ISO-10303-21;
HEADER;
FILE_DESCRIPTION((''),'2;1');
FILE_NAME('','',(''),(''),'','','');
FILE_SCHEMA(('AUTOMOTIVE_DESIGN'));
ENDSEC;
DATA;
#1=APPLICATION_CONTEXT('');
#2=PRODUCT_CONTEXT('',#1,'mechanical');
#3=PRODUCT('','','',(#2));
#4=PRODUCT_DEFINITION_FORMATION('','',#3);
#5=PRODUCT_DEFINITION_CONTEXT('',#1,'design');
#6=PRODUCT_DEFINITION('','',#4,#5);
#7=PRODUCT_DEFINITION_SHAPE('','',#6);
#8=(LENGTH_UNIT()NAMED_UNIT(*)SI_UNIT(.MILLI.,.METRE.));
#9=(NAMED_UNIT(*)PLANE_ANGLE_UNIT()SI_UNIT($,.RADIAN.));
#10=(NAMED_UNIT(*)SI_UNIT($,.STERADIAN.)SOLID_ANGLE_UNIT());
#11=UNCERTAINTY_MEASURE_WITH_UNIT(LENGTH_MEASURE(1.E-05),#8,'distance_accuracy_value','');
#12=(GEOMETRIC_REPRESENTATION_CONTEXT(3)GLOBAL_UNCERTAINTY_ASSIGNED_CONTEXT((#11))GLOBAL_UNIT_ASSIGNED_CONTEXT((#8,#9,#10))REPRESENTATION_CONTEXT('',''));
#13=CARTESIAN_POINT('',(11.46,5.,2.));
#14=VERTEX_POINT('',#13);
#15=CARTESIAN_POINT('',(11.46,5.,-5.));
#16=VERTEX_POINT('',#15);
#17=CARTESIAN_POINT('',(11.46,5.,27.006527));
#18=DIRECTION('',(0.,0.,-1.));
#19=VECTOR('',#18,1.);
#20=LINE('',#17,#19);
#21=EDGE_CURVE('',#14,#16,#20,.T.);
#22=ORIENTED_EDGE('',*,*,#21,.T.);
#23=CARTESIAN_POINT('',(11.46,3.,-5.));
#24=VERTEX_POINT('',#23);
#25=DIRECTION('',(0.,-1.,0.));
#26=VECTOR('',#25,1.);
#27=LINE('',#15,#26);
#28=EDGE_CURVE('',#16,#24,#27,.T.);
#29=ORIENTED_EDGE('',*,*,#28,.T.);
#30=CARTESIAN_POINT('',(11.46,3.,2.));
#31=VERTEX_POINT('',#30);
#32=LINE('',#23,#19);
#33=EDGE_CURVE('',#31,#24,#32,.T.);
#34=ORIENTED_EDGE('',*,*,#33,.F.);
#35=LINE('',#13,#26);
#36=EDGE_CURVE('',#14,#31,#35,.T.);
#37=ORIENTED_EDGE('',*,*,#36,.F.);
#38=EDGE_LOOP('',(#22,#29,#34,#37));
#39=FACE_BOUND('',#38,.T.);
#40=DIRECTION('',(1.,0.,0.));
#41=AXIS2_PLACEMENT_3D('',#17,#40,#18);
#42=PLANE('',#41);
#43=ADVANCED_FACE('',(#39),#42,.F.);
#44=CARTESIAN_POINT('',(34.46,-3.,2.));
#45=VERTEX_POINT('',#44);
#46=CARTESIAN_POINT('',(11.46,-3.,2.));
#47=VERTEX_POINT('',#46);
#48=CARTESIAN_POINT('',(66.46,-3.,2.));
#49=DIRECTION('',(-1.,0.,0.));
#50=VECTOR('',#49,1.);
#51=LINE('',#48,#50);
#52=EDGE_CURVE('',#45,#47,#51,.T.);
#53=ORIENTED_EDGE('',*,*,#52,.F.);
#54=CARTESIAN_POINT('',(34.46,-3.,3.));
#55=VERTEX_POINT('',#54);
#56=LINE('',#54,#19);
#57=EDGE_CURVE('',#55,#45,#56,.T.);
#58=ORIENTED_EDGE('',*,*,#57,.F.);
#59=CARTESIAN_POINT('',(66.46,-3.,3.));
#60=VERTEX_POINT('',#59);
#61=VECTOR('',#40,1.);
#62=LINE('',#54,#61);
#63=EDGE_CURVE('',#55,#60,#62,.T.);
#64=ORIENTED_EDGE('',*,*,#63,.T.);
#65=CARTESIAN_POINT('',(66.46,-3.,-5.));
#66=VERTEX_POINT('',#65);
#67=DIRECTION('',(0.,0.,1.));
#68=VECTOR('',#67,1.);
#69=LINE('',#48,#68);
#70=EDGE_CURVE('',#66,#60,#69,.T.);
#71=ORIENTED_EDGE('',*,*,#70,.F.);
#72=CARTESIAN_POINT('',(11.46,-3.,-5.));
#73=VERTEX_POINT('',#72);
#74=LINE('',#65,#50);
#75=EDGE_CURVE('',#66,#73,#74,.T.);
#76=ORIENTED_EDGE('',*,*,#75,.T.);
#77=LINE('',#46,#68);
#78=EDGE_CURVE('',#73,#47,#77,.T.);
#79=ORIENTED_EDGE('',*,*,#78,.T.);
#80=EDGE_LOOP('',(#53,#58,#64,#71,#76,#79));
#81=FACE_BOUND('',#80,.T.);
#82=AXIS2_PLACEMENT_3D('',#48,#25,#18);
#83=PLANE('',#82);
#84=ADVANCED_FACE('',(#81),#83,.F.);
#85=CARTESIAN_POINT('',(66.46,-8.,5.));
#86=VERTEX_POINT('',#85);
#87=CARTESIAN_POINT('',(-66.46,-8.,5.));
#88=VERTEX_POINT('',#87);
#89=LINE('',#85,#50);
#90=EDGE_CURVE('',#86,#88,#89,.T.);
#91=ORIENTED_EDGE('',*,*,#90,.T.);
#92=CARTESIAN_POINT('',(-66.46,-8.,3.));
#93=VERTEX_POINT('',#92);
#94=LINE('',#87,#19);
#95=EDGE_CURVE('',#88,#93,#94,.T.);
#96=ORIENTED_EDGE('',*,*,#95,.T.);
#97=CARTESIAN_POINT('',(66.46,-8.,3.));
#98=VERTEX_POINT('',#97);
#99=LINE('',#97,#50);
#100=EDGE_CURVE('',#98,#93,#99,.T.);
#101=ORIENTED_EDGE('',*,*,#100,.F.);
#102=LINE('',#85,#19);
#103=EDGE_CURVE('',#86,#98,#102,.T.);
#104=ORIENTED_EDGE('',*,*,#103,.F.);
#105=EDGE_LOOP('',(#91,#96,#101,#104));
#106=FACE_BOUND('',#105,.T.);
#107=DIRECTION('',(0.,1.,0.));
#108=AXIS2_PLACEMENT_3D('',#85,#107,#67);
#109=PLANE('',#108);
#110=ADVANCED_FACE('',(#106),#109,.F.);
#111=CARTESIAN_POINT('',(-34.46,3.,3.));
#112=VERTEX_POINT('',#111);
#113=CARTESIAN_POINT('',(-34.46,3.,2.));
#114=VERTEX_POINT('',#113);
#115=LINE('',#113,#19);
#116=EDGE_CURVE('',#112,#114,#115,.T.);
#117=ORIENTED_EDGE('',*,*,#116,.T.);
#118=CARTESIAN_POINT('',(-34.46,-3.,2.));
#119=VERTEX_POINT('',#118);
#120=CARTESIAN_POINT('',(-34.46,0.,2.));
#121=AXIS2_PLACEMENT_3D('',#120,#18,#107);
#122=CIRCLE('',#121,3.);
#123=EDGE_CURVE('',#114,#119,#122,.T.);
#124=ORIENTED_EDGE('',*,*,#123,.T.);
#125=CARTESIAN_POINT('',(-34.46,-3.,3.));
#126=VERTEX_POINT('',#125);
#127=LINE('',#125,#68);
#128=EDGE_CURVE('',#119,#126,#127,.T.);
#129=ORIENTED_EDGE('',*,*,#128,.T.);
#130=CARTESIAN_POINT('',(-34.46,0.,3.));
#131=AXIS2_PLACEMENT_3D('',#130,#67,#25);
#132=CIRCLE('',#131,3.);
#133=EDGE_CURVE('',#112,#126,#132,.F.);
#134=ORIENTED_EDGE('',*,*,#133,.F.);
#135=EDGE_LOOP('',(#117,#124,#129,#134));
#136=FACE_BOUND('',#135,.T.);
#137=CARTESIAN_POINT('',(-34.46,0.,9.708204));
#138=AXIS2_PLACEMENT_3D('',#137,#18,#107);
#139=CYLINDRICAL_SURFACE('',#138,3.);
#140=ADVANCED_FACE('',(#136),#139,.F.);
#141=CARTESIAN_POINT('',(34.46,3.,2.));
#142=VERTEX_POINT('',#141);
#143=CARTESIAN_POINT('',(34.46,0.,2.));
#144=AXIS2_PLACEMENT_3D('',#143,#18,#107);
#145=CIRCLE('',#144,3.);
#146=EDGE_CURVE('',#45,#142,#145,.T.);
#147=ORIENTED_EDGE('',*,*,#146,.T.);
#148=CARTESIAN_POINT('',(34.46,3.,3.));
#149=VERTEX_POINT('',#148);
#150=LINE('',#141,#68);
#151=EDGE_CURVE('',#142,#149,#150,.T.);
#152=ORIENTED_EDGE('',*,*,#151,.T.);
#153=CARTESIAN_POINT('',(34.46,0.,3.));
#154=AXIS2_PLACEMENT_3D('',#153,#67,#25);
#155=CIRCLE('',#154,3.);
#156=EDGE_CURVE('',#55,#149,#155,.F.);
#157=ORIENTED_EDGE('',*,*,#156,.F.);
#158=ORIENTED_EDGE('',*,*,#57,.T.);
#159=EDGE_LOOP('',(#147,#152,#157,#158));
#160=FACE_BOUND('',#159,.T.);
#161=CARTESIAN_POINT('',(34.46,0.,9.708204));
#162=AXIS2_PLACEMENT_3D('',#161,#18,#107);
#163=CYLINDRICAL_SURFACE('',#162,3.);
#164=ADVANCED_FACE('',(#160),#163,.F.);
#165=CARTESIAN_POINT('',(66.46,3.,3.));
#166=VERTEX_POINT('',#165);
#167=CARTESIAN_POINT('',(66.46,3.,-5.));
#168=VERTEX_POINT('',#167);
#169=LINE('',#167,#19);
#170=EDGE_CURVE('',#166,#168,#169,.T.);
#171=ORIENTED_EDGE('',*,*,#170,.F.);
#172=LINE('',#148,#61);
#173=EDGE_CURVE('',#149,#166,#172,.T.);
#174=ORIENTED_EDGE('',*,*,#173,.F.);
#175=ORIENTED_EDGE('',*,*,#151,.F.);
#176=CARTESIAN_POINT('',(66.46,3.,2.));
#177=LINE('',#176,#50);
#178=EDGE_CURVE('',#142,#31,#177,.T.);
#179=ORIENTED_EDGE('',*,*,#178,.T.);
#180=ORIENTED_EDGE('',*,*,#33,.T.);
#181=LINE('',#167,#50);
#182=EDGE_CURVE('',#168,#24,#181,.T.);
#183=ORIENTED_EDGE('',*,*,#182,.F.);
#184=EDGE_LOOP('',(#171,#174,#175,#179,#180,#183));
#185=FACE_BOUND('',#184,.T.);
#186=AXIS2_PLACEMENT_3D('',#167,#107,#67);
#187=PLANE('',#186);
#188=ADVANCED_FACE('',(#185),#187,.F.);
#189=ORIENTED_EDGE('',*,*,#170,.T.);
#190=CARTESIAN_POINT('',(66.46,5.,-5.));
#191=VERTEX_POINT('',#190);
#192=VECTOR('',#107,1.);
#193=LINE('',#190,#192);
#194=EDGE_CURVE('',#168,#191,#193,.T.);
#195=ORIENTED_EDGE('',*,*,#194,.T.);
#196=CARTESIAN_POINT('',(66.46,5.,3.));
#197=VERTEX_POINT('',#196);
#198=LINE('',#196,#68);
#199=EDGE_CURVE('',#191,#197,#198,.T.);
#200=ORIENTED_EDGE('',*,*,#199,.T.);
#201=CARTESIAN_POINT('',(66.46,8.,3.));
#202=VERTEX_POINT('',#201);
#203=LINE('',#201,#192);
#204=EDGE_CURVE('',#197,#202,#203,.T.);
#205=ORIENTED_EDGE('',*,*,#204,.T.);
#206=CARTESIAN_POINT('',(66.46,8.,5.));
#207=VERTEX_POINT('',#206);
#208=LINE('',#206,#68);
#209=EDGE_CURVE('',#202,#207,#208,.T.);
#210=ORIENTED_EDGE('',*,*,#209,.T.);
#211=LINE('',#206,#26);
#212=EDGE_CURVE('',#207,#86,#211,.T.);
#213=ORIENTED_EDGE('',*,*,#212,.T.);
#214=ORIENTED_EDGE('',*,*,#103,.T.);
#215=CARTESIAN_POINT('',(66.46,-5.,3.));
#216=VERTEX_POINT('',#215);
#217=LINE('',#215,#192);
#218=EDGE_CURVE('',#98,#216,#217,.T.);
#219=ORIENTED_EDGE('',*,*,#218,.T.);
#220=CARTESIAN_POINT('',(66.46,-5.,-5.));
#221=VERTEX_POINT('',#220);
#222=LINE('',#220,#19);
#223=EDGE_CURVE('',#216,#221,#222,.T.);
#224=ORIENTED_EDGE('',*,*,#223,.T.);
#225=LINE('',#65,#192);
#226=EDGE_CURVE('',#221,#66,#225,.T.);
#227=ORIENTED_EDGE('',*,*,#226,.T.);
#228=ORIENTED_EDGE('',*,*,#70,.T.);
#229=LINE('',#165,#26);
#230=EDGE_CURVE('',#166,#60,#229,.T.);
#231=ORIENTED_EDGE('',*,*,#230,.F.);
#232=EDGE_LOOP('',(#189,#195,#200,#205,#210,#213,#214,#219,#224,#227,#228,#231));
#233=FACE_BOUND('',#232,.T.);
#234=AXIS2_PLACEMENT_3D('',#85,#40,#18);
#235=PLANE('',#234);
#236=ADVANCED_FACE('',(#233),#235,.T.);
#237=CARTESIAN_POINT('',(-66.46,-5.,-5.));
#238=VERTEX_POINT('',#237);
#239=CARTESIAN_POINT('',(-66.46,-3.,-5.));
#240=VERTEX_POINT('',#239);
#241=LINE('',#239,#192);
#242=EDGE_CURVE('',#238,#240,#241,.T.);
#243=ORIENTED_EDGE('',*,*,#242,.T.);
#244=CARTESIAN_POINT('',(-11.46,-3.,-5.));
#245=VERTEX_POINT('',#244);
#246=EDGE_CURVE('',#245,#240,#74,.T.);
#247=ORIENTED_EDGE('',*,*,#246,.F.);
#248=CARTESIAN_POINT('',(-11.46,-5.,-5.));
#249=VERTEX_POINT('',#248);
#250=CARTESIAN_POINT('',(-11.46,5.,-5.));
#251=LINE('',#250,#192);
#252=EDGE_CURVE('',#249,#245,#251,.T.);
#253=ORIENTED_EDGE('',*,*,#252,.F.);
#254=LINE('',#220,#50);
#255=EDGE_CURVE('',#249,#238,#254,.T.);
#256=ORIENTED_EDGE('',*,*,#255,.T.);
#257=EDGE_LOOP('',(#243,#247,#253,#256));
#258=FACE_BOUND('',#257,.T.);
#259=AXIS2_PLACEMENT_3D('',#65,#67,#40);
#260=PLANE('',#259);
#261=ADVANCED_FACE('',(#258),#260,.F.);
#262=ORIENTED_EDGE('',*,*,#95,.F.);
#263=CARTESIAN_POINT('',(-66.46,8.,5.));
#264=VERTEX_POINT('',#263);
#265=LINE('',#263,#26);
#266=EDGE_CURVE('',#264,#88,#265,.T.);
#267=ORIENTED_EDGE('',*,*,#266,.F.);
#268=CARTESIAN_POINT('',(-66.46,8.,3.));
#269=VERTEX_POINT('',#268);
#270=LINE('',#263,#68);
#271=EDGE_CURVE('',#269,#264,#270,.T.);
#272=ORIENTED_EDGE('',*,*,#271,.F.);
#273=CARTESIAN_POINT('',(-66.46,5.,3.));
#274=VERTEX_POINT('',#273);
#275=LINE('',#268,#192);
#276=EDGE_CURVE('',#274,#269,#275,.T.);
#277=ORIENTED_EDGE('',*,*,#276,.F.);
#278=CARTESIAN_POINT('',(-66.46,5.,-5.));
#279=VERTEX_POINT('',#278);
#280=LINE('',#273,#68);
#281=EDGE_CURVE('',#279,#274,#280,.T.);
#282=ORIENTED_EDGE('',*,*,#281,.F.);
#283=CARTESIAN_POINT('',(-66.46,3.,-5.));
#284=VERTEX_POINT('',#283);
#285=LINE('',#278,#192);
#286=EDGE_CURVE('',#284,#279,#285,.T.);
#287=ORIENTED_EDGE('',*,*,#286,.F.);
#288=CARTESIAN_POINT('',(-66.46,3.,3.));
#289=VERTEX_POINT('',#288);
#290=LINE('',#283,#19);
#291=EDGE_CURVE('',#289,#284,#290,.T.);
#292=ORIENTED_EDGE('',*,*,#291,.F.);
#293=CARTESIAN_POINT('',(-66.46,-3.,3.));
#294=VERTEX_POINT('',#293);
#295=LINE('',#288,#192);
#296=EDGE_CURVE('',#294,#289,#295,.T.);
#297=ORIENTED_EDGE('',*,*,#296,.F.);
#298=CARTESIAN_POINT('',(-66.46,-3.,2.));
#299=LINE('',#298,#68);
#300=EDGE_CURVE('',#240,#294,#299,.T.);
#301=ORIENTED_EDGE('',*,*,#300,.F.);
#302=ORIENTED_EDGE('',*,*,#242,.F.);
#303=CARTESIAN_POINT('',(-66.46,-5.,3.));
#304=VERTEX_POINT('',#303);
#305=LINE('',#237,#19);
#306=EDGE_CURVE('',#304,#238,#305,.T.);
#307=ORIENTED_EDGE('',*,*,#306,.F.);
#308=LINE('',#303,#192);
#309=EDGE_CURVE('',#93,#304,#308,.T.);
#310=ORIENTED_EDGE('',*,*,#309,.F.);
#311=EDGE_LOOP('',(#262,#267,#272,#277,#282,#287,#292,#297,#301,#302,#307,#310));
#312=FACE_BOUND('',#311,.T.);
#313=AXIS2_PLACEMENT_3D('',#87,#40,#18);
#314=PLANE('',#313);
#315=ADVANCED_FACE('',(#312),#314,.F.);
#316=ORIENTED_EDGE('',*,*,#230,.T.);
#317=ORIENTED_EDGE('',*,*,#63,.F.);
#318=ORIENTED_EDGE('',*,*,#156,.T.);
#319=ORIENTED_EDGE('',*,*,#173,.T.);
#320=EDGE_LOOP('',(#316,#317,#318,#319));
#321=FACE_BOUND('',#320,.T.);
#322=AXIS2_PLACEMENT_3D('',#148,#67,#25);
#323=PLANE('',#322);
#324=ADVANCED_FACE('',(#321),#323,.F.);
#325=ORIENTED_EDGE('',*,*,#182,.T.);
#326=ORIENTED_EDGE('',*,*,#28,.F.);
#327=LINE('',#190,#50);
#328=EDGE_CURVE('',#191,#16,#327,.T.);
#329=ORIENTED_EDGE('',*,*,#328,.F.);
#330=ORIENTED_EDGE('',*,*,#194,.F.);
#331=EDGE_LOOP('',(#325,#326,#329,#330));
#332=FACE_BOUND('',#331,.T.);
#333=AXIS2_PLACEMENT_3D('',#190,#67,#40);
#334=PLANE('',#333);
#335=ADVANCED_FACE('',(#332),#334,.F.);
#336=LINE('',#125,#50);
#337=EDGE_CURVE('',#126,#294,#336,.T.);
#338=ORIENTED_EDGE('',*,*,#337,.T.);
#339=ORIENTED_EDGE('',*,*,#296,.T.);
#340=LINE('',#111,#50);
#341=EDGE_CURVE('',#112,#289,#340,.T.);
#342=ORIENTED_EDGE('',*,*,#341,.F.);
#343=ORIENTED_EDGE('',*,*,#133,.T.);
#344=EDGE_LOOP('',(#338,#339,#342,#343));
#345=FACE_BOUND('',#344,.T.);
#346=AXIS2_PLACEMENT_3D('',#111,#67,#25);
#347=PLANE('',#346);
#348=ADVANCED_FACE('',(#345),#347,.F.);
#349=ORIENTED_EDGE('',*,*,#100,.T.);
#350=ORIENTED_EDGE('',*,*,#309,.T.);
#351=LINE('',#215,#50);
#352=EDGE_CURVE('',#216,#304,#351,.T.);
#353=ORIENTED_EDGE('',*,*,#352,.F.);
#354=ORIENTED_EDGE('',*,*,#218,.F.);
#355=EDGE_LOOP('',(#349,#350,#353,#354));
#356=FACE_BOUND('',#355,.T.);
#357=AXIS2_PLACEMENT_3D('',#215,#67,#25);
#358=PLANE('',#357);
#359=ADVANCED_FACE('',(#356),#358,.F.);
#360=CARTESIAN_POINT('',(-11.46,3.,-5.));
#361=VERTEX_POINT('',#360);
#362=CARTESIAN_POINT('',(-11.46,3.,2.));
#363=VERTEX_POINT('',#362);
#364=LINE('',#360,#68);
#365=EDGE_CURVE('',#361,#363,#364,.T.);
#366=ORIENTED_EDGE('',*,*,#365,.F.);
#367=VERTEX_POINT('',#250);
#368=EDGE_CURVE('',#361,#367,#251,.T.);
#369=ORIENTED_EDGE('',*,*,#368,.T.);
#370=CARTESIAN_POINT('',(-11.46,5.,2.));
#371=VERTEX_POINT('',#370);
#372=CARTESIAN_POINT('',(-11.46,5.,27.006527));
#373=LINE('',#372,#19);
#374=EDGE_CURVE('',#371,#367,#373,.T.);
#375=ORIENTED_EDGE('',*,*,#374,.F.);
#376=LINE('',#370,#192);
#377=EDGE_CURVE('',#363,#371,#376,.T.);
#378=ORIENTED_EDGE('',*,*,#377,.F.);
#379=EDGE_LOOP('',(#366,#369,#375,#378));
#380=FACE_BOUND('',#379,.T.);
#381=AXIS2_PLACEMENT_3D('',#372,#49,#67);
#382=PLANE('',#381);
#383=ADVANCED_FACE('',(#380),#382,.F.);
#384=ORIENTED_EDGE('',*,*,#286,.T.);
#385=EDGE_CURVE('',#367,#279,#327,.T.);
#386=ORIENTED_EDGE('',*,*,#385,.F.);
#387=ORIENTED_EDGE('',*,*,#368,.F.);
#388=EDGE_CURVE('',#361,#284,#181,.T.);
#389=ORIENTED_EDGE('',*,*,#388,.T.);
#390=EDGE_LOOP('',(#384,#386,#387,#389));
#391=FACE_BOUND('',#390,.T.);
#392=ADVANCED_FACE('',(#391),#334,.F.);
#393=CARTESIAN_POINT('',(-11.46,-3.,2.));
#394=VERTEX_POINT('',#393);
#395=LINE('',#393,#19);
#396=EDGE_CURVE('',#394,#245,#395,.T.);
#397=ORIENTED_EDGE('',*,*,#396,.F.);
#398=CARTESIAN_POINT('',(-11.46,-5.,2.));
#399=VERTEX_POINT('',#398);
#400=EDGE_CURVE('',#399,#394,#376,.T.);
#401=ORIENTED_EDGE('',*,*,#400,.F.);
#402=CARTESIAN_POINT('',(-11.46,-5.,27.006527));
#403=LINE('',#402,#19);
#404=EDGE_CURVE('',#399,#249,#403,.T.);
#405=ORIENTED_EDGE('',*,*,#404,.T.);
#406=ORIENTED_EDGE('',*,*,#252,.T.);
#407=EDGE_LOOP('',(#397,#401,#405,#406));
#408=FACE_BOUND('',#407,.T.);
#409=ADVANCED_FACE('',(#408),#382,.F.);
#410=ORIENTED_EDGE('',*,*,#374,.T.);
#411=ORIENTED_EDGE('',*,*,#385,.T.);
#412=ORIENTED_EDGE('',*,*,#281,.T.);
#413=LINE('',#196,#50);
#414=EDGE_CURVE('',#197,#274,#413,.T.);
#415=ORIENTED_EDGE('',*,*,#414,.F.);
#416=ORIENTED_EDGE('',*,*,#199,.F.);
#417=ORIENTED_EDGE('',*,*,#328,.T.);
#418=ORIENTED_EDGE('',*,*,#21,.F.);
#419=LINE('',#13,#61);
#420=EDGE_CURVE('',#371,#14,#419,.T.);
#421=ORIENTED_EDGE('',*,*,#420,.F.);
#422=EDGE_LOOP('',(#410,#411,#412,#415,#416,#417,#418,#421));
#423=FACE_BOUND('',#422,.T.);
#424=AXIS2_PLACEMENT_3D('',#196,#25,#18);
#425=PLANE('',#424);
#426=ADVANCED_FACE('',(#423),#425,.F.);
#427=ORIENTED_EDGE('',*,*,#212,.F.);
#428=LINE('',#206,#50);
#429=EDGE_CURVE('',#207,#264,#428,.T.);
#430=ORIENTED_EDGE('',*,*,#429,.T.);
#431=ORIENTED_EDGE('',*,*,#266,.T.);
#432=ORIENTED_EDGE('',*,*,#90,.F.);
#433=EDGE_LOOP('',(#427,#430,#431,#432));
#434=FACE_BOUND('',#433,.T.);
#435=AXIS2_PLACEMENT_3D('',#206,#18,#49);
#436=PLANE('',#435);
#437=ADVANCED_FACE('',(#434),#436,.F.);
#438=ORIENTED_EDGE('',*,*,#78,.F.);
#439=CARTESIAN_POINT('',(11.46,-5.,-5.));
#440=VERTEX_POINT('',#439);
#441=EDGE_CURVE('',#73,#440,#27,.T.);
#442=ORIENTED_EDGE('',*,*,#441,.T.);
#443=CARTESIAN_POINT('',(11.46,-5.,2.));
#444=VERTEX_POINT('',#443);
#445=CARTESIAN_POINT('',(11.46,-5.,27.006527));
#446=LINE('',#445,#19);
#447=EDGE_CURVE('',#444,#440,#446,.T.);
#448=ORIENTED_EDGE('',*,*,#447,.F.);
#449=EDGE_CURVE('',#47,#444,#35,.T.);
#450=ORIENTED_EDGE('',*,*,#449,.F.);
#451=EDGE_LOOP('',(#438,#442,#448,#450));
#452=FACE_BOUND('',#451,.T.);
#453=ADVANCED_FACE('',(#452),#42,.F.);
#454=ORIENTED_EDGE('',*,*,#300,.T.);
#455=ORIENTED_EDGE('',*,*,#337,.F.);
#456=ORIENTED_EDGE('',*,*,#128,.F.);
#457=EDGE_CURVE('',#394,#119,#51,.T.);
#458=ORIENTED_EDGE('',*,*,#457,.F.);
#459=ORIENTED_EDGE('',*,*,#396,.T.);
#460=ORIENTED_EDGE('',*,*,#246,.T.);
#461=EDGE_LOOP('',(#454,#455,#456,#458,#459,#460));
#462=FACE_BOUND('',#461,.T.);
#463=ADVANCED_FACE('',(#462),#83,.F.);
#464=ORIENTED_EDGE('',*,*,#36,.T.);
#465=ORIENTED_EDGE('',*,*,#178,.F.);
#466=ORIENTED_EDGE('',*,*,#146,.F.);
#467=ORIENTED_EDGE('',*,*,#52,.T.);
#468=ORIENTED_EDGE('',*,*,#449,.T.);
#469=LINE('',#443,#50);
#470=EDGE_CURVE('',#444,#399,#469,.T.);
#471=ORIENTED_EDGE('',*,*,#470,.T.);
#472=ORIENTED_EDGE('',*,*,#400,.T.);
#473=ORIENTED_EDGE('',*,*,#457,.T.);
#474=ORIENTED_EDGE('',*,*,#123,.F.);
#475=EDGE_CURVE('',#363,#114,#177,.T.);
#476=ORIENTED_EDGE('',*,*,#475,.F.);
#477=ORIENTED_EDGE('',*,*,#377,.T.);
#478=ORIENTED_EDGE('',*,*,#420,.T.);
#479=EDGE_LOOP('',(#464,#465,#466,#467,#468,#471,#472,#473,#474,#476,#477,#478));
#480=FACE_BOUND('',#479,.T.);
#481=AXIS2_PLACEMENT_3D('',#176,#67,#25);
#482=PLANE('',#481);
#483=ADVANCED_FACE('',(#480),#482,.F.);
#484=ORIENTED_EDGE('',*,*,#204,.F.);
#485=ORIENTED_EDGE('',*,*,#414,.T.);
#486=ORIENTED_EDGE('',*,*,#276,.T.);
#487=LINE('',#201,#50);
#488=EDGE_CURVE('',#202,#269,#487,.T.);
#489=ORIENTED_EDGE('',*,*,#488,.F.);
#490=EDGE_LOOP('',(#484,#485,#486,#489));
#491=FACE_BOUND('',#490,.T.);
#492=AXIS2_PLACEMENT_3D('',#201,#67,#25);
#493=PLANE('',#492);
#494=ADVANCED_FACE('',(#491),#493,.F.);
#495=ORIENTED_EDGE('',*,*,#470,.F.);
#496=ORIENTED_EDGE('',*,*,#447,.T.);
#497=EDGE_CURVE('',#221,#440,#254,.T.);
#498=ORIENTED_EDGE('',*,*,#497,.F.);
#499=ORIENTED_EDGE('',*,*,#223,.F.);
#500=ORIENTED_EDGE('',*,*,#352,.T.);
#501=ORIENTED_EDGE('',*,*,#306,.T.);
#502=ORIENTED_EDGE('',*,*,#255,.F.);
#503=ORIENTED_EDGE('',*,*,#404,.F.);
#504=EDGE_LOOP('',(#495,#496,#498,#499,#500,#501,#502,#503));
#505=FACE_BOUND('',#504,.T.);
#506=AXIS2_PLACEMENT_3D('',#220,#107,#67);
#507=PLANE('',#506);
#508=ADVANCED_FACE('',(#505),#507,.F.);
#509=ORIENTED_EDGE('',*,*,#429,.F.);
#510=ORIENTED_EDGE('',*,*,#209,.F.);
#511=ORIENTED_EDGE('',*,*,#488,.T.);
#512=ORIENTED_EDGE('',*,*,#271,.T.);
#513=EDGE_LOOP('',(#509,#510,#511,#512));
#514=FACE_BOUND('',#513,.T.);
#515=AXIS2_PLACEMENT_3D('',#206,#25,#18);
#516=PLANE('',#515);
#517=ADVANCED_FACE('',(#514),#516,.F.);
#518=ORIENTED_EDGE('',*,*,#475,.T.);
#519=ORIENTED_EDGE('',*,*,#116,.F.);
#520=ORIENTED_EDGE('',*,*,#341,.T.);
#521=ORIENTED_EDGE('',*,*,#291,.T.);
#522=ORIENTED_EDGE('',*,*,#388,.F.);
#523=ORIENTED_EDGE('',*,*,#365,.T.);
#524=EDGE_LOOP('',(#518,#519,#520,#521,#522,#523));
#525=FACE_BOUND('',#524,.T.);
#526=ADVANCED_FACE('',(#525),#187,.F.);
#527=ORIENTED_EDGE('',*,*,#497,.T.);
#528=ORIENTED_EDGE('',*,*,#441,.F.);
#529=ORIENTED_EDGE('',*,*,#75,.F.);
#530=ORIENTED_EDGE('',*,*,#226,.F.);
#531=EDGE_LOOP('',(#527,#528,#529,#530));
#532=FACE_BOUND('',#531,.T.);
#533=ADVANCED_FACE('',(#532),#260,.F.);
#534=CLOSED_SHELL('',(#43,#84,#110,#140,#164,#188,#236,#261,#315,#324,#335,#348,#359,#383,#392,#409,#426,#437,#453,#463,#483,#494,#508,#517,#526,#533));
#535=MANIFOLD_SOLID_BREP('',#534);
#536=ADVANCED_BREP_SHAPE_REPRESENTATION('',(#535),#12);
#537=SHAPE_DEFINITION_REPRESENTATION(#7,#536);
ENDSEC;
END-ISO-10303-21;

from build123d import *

# Parameters (mm, degrees)
EXTRUDE1_DEPTH = 66.46
SKETCH2_W      = 1
SKETCH2_H      = 6
EXTRUDE2_DEPTH = 32
SKETCH3_W      = 1
SKETCH3_H      = 6
EXTRUDE3_DEPTH = 32
EXTRUDE4_DEPTH = 1
SKETCH5_W      = 22.92
SKETCH5_H      = 10
EXTRUDE5_DEPTH = 7


with BuildPart() as part:
    # Sketch1 → Extrude1 (new body, symmetric)
    with BuildSketch(Plane(origin=(0, 0, 0), x_dir=(0, 0, -1), z_dir=(1, 0, 0))):
        Polygon((-3, 8), (-3, 5), (5, 5), (5, 3), (-2, 3), (-2, -3), (5, -3), (5, -5), (-3, -5), (-3, -8), (-5, -8), (-5, 8), align=None)
    extrude(amount=EXTRUDE1_DEPTH, both=True)

    # Sketch2 → Extrude2 (cut)
    with BuildSketch(Plane.ZY.offset(66.46)):
        with Locations((2.5, 0)):
            Rectangle(SKETCH2_W, SKETCH2_H)
    extrude(amount=-EXTRUDE2_DEPTH, mode=Mode.SUBTRACT)

    # Sketch3 → Extrude3 (cut)
    with BuildSketch(Plane(origin=(66.46, 0, 0), x_dir=(0, 0, -1), z_dir=(1, 0, 0))):
        with Locations((-2.5, 0)):
            Rectangle(SKETCH3_W, SKETCH3_H)
    extrude(amount=-EXTRUDE3_DEPTH, mode=Mode.SUBTRACT)

    # Sketch4 → Extrude4 (cut)
    with BuildSketch(Plane(origin=(0, 0, 2), x_dir=(-1, 0, 0), z_dir=(0, 0, -1))):
        with BuildLine():
            Line((-34.46, 3), (-34.46, -3))
            ThreePointArc((-34.46, -3), (-31.46, 0), (-34.46, 3))
        make_face()
        with BuildLine():
            Line((34.46, 3), (34.46, -3))
            ThreePointArc((34.46, -3), (31.46, 0), (34.46, 3))
        make_face()
    extrude(amount=-EXTRUDE4_DEPTH, mode=Mode.SUBTRACT)

    # Sketch5 → Extrude5 (cut)
    with BuildSketch(Plane(origin=(0, 0, -5), x_dir=(-1, 0, 0), z_dir=(0, 0, -1))):
        Rectangle(SKETCH5_W, SKETCH5_H)
    extrude(amount=-EXTRUDE5_DEPTH, mode=Mode.SUBTRACT)


solid = part.part
